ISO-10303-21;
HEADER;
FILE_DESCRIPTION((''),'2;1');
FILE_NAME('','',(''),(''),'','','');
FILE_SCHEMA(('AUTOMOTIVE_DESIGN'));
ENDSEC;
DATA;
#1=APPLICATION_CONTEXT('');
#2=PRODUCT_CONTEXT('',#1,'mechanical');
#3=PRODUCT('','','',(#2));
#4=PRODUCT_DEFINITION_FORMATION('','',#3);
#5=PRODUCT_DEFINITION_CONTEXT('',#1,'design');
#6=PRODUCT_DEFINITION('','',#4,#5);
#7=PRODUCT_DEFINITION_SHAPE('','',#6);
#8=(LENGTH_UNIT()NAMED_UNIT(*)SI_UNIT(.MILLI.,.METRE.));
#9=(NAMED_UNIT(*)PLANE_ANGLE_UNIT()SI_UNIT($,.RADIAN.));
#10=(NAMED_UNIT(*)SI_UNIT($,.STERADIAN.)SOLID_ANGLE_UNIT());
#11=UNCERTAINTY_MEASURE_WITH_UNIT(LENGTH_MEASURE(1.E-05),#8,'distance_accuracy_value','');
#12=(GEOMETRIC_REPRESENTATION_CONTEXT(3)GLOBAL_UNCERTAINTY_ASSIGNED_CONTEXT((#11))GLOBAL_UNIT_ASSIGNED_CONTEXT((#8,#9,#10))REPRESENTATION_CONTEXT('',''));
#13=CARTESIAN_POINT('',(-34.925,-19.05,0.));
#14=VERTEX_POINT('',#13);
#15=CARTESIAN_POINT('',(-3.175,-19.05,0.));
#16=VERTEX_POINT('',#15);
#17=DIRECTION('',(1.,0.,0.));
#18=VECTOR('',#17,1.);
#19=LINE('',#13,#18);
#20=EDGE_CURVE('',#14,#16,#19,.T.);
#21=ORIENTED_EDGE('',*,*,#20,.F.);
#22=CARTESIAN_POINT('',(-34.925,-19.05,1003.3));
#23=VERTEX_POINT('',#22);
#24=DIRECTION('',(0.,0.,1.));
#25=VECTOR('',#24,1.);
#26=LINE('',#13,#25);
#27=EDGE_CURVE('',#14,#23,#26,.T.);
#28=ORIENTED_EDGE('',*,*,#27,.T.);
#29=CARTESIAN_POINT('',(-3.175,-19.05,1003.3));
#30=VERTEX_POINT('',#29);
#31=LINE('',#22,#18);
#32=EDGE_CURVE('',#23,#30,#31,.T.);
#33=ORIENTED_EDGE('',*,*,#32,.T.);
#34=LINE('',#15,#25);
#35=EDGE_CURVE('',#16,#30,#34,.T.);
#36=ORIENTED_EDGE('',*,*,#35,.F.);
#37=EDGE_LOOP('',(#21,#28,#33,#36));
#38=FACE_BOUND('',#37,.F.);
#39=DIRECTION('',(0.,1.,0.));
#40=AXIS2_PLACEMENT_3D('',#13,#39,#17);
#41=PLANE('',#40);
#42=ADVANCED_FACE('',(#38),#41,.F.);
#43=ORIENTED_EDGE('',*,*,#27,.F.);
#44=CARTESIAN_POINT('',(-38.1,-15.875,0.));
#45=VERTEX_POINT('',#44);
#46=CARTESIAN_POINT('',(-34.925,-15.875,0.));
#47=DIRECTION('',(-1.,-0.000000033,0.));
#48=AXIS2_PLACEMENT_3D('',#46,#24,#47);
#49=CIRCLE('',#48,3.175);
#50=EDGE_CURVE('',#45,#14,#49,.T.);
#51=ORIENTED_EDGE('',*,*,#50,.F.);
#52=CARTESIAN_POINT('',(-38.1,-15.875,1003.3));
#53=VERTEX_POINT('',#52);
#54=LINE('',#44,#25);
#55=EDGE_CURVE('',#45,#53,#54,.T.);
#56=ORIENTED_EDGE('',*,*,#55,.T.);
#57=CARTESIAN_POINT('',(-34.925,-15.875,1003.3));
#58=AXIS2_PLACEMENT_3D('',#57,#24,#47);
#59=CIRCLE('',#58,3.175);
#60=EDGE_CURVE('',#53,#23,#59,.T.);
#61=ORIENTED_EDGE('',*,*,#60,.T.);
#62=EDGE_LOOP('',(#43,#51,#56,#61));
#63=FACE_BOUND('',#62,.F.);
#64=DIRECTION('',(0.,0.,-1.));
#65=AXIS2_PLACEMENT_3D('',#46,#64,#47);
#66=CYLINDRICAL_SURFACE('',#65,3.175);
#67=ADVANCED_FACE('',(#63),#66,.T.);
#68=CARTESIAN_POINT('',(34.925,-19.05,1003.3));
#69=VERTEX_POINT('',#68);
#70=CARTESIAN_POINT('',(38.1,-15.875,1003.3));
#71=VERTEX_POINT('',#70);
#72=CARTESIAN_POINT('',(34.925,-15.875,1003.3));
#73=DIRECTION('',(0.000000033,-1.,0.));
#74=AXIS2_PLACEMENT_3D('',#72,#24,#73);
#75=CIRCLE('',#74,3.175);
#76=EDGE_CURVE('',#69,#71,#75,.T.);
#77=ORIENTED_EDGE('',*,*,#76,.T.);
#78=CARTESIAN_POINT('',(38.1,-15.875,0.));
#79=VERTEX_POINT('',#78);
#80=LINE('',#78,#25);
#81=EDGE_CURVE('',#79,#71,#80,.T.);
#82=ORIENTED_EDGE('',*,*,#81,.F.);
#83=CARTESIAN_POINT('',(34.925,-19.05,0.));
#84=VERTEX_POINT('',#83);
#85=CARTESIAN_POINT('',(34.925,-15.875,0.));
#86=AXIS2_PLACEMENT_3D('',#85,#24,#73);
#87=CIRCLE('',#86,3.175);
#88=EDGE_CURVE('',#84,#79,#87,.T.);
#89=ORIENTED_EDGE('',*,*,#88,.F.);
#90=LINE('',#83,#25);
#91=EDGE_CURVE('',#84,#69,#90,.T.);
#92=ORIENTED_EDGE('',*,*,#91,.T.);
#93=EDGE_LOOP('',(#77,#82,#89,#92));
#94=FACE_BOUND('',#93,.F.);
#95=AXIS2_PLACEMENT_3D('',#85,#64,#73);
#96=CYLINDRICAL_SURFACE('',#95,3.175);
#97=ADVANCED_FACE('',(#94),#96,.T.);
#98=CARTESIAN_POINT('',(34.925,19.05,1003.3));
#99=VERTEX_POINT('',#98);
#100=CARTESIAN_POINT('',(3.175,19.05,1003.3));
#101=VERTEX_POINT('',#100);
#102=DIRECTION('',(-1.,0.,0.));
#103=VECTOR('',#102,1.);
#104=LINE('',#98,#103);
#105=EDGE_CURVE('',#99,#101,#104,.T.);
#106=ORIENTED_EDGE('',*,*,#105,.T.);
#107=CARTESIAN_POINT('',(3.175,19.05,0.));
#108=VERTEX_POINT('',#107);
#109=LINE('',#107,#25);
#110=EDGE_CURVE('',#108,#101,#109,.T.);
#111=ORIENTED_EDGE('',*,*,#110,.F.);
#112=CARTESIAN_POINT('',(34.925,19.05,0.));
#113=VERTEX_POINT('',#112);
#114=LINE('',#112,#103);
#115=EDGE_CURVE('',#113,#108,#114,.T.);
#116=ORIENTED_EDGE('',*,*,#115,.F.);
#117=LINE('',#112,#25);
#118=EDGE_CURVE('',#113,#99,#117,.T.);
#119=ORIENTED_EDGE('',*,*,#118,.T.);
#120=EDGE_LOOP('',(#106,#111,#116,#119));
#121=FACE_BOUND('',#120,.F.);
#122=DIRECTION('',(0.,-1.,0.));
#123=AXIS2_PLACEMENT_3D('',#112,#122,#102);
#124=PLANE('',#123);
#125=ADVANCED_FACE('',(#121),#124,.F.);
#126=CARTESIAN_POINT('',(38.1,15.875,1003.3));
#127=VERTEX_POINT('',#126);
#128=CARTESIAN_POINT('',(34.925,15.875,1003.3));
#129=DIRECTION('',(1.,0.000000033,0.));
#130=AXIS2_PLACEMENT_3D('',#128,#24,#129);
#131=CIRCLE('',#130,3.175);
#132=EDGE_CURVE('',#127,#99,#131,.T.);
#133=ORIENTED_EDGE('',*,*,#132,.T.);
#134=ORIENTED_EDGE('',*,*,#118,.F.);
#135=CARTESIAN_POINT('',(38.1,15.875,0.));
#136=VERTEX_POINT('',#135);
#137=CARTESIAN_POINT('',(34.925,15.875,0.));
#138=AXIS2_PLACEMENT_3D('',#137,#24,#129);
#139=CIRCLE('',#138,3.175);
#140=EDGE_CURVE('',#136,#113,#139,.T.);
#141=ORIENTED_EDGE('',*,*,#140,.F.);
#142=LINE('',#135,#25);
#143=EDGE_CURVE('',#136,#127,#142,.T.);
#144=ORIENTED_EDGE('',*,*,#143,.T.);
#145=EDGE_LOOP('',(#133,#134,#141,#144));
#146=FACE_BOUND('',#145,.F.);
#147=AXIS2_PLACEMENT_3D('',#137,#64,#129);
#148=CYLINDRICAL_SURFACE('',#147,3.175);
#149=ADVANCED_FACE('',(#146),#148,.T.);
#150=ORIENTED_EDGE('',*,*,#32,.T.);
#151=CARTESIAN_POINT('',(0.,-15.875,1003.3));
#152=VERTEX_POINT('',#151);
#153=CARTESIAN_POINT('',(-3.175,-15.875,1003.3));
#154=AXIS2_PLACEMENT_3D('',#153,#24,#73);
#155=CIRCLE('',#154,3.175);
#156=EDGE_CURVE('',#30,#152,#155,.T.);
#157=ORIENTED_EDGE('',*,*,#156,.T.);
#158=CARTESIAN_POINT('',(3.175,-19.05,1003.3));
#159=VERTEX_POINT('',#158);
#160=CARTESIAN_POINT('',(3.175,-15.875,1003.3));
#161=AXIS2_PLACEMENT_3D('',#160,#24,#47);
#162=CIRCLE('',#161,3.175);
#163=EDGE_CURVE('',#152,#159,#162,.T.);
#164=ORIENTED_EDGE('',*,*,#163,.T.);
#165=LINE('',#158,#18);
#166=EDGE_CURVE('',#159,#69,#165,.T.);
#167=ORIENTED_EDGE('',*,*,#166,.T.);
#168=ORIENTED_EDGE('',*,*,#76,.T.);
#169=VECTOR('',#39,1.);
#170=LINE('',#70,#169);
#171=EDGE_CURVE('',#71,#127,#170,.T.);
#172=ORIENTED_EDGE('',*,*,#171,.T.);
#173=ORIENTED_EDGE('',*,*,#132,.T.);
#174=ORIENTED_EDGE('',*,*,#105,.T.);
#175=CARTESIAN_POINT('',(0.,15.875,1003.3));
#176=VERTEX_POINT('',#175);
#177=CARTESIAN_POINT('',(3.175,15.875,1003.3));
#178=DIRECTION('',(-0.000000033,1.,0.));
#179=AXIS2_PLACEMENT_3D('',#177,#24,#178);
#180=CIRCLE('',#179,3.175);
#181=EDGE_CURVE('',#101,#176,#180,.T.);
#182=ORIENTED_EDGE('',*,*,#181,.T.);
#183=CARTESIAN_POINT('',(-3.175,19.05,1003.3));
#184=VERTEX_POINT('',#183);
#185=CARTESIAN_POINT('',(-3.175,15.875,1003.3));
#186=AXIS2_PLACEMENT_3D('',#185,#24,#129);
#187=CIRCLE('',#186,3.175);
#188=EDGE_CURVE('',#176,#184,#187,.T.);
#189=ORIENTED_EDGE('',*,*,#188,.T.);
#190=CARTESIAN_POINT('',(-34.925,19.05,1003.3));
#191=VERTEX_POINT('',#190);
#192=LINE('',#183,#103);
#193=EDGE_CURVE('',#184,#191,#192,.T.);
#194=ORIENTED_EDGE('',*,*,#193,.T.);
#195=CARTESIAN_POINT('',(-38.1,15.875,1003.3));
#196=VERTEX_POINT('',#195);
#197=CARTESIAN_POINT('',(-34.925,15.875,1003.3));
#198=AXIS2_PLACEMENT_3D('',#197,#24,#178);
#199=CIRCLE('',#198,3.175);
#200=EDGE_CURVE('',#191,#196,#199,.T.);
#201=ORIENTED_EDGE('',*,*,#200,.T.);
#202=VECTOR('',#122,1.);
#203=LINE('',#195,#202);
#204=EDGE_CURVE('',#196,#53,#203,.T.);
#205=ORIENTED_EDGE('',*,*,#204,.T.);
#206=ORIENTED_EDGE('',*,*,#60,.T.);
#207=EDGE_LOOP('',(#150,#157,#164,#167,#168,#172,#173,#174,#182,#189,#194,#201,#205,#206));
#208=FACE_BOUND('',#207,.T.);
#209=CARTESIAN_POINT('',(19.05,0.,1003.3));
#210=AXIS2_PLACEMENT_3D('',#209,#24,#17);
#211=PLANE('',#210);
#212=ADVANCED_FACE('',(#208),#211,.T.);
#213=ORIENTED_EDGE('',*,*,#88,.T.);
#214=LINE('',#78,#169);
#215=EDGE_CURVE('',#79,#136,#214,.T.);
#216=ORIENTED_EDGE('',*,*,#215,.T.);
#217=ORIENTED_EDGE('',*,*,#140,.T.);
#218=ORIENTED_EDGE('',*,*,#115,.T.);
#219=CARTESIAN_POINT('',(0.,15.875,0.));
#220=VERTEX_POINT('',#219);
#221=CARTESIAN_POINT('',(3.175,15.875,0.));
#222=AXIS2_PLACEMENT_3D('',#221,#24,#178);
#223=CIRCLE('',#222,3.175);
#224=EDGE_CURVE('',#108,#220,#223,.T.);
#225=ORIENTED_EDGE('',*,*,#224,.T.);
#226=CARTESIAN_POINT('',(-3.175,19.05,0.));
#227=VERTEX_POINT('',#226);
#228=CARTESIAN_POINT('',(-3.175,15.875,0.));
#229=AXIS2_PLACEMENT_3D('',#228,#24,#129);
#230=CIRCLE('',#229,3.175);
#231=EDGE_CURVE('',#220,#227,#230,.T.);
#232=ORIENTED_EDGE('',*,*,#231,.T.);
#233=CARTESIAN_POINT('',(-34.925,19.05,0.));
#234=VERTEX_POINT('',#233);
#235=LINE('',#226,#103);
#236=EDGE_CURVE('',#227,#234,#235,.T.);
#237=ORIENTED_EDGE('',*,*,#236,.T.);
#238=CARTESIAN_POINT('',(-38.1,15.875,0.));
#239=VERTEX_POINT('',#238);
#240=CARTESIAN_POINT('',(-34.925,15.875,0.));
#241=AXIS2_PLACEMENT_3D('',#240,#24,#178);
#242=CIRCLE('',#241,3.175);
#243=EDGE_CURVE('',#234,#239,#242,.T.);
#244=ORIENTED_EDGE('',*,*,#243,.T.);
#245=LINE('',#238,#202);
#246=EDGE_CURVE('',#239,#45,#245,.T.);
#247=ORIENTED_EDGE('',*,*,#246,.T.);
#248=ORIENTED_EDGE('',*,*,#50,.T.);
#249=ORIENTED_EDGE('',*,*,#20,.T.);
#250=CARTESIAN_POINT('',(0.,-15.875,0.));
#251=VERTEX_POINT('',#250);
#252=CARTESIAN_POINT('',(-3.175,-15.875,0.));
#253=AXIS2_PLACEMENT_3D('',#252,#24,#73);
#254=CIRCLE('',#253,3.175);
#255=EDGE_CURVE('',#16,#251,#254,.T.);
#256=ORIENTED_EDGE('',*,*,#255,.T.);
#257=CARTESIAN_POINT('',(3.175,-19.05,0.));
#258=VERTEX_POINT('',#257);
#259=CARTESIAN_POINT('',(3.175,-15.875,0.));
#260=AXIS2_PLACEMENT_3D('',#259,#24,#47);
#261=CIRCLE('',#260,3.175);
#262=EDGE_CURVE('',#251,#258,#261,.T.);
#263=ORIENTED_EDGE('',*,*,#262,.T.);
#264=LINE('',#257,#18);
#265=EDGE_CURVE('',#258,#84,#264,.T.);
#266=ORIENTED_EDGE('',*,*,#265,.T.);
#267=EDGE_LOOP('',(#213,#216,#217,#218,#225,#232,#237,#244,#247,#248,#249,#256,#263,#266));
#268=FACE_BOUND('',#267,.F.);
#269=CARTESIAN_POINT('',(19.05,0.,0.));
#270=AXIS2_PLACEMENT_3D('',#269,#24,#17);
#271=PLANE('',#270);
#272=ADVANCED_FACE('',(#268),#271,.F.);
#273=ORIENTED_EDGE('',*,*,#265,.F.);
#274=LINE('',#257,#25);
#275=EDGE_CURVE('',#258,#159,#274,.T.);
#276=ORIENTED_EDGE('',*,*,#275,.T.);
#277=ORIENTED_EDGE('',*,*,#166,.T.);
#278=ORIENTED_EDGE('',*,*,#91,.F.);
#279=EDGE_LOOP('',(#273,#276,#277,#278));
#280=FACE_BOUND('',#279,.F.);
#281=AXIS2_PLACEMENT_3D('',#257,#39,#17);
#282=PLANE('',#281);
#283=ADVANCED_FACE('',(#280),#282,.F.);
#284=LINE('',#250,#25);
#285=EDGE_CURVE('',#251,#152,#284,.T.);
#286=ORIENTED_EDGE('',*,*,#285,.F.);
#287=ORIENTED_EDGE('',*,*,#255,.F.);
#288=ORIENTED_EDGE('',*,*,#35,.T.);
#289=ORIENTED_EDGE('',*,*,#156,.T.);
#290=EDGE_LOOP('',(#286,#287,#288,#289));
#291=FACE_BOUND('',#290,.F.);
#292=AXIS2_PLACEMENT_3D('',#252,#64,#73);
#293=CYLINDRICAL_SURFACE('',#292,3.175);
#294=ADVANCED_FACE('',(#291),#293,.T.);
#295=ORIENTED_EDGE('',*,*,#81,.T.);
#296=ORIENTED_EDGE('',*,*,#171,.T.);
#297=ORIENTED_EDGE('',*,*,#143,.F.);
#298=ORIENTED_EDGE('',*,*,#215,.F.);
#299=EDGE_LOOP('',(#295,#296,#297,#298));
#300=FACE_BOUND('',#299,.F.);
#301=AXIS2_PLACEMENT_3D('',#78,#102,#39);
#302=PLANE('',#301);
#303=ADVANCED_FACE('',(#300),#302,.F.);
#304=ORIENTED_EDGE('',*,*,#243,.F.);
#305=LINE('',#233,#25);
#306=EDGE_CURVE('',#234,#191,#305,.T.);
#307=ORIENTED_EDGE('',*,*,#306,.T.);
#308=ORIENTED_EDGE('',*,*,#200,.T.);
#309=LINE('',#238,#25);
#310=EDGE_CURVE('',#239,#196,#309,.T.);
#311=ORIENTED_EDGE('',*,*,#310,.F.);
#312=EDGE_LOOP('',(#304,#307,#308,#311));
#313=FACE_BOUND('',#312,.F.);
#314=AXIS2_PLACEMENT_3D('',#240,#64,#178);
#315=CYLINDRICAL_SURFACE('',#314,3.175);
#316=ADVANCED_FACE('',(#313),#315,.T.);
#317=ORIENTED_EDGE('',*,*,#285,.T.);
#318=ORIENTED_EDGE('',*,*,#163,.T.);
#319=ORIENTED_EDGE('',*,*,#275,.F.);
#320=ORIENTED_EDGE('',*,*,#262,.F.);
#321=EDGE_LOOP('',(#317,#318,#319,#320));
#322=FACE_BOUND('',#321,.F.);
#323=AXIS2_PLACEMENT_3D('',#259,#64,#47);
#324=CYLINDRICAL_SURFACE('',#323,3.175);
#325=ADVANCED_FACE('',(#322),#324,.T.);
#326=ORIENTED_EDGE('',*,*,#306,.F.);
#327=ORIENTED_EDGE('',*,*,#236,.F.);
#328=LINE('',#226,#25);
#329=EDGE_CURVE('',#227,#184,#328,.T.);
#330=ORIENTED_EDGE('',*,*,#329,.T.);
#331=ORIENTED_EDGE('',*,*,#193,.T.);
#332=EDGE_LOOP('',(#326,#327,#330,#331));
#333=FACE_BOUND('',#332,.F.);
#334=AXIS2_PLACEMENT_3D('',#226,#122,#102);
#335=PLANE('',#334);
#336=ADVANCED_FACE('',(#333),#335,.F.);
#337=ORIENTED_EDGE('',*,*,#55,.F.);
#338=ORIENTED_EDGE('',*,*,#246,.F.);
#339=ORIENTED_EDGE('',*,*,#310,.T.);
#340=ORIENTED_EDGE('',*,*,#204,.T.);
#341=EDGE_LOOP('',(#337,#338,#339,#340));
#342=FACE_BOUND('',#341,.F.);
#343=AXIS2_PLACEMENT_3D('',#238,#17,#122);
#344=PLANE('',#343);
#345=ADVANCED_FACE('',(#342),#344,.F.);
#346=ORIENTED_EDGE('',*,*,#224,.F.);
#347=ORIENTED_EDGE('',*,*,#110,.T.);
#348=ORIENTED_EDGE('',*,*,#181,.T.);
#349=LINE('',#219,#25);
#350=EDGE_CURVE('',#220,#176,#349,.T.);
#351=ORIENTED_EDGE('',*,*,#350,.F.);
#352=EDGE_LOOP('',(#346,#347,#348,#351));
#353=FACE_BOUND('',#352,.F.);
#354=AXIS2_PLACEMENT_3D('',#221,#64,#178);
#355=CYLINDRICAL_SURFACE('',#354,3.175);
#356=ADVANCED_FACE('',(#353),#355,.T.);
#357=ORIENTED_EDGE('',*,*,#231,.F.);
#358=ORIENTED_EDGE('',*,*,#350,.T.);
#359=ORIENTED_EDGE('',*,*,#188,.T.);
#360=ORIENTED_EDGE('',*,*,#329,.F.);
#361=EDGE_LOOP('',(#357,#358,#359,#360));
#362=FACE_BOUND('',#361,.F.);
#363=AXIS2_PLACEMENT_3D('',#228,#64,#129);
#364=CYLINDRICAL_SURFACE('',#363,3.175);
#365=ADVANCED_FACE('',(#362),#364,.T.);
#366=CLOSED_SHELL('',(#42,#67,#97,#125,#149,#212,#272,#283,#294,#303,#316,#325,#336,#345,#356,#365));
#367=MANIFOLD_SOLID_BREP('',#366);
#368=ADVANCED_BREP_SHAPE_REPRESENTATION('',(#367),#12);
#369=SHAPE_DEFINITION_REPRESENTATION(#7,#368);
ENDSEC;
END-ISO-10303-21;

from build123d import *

# Parameters (mm, degrees)
F1_DEPTH = 1003.3


with BuildPart() as f1:
    # F0 (on Top) → F1 (new body)
    with BuildSketch(Plane.XY):
        with BuildLine():
            ThreePointArc((38.1, 15.875), (37.170064, 18.120064), (34.925, 19.05))
            Line((34.925, 19.05), (3.175, 19.05))
            ThreePointArc((3.175, 19.05), (0.929936, 18.120064), (0, 15.875))
            Line((0, 15.875), (0, -15.875))
            ThreePointArc((0, -15.875), (0.929936, -18.120064), (3.175, -19.05))
            Line((3.175, -19.05), (34.925, -19.05))
            ThreePointArc((34.925, -19.05), (37.170064, -18.120064), (38.1, -15.875))
            Line((38.1, -15.875), (38.1, 15.875))
        make_face()
        with BuildLine():
            Line((0, -15.875), (0, 15.875))
            ThreePointArc((0, 15.875), (-0.929936, 18.120064), (-3.175, 19.05))
            Line((-3.175, 19.05), (-34.925, 19.05))
            ThreePointArc((-34.925, 19.05), (-37.170064, 18.120064), (-38.1, 15.875))
            Line((-38.1, 15.875), (-38.1, -15.875))
            ThreePointArc((-38.1, -15.875), (-37.170064, -18.120064), (-34.925, -19.05))
            Line((-34.925, -19.05), (-3.175, -19.05))
            ThreePointArc((-3.175, -19.05), (-0.929936, -18.120064), (0, -15.875))
        make_face()
    extrude(amount=F1_DEPTH)


solid = f1.part
